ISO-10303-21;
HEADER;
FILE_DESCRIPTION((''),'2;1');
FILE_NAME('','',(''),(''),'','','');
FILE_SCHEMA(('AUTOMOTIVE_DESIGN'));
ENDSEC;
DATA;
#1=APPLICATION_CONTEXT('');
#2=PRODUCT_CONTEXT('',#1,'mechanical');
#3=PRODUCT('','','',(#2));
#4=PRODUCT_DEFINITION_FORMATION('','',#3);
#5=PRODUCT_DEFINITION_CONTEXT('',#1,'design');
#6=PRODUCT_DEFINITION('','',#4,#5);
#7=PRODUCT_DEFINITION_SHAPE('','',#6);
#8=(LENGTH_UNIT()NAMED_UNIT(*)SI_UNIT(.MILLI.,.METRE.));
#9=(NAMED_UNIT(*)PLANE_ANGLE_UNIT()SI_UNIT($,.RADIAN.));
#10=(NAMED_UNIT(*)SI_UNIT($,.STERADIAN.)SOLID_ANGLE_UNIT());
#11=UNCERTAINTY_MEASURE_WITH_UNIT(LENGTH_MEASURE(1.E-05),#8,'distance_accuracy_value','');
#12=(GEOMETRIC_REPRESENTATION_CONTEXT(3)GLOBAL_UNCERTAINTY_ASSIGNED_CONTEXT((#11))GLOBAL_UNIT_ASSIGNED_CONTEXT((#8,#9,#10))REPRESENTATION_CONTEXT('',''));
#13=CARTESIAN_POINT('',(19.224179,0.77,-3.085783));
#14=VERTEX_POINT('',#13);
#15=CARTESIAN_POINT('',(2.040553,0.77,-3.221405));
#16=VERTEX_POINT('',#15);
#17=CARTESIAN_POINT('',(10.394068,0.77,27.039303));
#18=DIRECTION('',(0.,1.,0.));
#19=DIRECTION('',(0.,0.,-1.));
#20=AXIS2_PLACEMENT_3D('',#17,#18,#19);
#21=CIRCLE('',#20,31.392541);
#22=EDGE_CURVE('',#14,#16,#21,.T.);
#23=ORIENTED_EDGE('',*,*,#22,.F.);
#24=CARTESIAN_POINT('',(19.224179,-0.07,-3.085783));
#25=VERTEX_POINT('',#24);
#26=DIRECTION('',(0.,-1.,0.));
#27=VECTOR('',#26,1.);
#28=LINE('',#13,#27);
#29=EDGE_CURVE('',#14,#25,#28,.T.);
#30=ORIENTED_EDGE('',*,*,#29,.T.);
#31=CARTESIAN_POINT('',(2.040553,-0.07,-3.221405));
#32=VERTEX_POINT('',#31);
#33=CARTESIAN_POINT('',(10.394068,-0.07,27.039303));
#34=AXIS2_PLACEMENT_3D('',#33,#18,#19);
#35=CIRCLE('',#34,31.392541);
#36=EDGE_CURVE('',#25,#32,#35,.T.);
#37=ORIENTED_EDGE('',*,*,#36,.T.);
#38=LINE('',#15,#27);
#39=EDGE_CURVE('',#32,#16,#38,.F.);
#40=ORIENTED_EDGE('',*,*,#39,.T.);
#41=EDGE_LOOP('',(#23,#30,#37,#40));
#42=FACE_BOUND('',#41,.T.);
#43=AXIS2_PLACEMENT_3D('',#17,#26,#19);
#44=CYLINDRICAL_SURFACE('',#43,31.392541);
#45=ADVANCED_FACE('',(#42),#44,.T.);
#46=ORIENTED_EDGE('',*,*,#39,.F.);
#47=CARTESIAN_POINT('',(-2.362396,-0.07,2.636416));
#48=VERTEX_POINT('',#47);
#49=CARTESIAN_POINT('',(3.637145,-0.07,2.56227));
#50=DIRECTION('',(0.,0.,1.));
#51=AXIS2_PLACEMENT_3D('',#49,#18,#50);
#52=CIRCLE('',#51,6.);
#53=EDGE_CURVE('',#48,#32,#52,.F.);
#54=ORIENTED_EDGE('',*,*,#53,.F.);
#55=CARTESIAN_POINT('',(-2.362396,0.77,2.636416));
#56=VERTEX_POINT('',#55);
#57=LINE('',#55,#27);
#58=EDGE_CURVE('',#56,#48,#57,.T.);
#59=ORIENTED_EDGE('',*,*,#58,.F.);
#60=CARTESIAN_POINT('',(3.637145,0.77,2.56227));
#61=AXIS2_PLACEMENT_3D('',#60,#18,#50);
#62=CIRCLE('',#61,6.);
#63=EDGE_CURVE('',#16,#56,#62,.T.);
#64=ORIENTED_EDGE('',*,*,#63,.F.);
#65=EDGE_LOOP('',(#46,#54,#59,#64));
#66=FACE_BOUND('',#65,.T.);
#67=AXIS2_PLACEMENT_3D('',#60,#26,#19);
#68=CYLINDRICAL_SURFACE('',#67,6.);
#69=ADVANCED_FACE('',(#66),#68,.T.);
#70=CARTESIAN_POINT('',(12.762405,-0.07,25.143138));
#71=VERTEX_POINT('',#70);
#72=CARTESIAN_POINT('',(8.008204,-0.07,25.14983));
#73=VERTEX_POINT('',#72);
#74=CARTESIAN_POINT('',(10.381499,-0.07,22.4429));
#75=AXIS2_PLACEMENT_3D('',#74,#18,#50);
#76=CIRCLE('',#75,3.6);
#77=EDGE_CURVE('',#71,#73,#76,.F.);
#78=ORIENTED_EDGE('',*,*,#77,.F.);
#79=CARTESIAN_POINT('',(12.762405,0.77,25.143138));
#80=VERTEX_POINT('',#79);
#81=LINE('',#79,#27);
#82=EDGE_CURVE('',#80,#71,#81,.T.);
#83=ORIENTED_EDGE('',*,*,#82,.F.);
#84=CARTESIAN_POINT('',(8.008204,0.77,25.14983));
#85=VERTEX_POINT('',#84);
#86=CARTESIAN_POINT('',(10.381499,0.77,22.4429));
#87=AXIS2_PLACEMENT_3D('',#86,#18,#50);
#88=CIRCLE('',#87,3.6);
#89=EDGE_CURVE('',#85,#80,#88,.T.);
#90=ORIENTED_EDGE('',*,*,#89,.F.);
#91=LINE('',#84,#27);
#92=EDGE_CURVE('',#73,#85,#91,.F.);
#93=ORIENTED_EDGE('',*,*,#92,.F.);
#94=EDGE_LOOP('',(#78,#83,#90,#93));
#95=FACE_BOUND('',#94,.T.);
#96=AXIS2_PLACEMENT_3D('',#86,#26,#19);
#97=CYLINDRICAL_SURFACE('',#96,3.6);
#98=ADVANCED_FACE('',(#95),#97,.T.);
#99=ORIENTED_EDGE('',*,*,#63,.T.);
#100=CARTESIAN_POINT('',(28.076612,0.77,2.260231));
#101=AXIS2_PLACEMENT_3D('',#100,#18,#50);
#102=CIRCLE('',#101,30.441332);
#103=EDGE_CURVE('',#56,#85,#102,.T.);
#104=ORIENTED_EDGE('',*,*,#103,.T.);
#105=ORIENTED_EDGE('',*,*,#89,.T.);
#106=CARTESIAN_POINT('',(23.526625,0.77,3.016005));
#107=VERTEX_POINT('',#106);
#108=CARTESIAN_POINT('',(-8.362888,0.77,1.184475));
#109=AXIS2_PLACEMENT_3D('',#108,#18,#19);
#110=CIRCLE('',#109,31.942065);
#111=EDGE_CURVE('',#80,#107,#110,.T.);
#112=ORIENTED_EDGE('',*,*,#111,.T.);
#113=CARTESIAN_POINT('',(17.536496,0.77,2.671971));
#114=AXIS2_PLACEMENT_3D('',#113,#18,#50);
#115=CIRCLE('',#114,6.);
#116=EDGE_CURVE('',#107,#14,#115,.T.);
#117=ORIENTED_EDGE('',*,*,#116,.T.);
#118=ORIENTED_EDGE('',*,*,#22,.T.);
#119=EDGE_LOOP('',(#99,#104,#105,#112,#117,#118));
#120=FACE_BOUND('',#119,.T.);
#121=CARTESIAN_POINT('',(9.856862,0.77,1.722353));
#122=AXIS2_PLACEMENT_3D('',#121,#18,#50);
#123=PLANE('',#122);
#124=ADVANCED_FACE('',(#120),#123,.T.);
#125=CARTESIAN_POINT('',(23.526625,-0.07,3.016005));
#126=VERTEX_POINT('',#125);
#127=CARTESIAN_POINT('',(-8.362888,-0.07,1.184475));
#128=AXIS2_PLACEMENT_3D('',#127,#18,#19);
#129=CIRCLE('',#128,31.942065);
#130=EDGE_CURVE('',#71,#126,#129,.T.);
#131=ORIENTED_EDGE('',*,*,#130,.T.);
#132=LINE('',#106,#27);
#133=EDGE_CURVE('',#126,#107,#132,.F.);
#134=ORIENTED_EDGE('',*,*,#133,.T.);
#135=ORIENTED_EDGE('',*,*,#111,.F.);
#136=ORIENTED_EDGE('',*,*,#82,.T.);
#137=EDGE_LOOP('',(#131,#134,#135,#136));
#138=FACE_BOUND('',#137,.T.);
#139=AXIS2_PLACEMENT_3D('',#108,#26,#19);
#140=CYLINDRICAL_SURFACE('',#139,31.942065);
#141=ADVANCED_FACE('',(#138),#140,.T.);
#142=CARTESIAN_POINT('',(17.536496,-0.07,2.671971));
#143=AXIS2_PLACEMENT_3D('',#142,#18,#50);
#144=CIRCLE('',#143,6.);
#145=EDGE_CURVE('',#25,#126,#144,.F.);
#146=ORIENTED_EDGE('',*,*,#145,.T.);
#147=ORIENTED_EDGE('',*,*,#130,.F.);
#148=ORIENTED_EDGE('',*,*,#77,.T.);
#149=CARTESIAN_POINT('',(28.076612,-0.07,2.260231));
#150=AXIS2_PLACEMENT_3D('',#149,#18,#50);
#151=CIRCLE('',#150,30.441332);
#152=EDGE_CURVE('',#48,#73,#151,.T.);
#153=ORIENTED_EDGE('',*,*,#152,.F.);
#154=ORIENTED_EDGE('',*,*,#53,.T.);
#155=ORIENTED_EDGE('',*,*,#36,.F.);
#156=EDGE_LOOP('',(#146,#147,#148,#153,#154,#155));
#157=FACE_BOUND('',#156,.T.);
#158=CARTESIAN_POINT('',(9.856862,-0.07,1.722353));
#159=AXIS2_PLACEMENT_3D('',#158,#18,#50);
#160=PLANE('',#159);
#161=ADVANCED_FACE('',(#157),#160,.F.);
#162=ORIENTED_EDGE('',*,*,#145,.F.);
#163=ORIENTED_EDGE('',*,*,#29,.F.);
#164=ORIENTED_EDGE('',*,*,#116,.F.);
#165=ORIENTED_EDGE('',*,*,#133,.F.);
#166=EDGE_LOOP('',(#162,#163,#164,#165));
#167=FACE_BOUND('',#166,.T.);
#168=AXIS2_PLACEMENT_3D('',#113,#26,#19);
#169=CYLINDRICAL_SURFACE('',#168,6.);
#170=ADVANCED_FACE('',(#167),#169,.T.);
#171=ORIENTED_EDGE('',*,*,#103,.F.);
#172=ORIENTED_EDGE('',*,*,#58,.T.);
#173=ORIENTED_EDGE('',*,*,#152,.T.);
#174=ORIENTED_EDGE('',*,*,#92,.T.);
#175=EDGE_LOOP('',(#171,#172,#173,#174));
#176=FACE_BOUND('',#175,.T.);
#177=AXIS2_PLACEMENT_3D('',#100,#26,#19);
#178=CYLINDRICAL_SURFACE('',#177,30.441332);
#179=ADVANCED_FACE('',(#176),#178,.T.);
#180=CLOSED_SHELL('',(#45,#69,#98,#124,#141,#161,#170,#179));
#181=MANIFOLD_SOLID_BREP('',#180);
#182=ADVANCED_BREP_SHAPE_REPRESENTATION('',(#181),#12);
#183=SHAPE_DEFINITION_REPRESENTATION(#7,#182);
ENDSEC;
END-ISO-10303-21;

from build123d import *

# Parameters (mm, degrees)
BOSS_EXTRUDE1_DEPTH = 0.7
FILLET1_R           = 5
FILLET2_R           = 5
FILLET3_R           = 3
SCALE1_SCALE        = 1.2


with BuildPart() as part:
    # Sketch1 → Boss-Extrude1 (new body)
    with BuildSketch(Plane(origin=(0, 0, 0), x_dir=(1, 0, 0), z_dir=(0, 1, 0))):
        with BuildLine():
            ThreePointArc((0, 0), (10.674582486, 2.159113438), (21.303319094, -0.215426558))
            ThreePointArc((21.303319094, -0.215426558), (18.980175942, -13.538262848), (10.41005245, -24))
            ThreePointArc((10.41005245, -24), (1.872716321, -13.445396703), (0, 0))
        make_face()
    extrude(amount=BOSS_EXTRUDE1_DEPTH)

    # Fillet1
    fillet1_edges = [part.edges().sort_by_distance(p)[0] for p in [
        (21.303319094, 0.35, 0.215426558),
    ]]
    fillet(fillet1_edges, radius=FILLET1_R)

    # Fillet2
    fillet2_edges = [part.edges().sort_by_distance(p)[0] for p in [
        (0, 0.35, 0),
    ]]
    fillet(fillet2_edges, radius=FILLET2_R)

    # Fillet3
    fillet3_edges = [part.edges().sort_by_distance(p)[0] for p in [
        (10.41005245, 0.35, 24),
    ]]
    fillet(fillet3_edges, radius=FILLET3_R)


with BuildPart() as part_1:
    # Scale1: scaled about (10.489972613, 0.35, 8.803486941)
    add(part.part.scale(SCALE1_SCALE).moved(Location((-2.097994523, -0.07, -1.760697388))))


solid = part_1.part
